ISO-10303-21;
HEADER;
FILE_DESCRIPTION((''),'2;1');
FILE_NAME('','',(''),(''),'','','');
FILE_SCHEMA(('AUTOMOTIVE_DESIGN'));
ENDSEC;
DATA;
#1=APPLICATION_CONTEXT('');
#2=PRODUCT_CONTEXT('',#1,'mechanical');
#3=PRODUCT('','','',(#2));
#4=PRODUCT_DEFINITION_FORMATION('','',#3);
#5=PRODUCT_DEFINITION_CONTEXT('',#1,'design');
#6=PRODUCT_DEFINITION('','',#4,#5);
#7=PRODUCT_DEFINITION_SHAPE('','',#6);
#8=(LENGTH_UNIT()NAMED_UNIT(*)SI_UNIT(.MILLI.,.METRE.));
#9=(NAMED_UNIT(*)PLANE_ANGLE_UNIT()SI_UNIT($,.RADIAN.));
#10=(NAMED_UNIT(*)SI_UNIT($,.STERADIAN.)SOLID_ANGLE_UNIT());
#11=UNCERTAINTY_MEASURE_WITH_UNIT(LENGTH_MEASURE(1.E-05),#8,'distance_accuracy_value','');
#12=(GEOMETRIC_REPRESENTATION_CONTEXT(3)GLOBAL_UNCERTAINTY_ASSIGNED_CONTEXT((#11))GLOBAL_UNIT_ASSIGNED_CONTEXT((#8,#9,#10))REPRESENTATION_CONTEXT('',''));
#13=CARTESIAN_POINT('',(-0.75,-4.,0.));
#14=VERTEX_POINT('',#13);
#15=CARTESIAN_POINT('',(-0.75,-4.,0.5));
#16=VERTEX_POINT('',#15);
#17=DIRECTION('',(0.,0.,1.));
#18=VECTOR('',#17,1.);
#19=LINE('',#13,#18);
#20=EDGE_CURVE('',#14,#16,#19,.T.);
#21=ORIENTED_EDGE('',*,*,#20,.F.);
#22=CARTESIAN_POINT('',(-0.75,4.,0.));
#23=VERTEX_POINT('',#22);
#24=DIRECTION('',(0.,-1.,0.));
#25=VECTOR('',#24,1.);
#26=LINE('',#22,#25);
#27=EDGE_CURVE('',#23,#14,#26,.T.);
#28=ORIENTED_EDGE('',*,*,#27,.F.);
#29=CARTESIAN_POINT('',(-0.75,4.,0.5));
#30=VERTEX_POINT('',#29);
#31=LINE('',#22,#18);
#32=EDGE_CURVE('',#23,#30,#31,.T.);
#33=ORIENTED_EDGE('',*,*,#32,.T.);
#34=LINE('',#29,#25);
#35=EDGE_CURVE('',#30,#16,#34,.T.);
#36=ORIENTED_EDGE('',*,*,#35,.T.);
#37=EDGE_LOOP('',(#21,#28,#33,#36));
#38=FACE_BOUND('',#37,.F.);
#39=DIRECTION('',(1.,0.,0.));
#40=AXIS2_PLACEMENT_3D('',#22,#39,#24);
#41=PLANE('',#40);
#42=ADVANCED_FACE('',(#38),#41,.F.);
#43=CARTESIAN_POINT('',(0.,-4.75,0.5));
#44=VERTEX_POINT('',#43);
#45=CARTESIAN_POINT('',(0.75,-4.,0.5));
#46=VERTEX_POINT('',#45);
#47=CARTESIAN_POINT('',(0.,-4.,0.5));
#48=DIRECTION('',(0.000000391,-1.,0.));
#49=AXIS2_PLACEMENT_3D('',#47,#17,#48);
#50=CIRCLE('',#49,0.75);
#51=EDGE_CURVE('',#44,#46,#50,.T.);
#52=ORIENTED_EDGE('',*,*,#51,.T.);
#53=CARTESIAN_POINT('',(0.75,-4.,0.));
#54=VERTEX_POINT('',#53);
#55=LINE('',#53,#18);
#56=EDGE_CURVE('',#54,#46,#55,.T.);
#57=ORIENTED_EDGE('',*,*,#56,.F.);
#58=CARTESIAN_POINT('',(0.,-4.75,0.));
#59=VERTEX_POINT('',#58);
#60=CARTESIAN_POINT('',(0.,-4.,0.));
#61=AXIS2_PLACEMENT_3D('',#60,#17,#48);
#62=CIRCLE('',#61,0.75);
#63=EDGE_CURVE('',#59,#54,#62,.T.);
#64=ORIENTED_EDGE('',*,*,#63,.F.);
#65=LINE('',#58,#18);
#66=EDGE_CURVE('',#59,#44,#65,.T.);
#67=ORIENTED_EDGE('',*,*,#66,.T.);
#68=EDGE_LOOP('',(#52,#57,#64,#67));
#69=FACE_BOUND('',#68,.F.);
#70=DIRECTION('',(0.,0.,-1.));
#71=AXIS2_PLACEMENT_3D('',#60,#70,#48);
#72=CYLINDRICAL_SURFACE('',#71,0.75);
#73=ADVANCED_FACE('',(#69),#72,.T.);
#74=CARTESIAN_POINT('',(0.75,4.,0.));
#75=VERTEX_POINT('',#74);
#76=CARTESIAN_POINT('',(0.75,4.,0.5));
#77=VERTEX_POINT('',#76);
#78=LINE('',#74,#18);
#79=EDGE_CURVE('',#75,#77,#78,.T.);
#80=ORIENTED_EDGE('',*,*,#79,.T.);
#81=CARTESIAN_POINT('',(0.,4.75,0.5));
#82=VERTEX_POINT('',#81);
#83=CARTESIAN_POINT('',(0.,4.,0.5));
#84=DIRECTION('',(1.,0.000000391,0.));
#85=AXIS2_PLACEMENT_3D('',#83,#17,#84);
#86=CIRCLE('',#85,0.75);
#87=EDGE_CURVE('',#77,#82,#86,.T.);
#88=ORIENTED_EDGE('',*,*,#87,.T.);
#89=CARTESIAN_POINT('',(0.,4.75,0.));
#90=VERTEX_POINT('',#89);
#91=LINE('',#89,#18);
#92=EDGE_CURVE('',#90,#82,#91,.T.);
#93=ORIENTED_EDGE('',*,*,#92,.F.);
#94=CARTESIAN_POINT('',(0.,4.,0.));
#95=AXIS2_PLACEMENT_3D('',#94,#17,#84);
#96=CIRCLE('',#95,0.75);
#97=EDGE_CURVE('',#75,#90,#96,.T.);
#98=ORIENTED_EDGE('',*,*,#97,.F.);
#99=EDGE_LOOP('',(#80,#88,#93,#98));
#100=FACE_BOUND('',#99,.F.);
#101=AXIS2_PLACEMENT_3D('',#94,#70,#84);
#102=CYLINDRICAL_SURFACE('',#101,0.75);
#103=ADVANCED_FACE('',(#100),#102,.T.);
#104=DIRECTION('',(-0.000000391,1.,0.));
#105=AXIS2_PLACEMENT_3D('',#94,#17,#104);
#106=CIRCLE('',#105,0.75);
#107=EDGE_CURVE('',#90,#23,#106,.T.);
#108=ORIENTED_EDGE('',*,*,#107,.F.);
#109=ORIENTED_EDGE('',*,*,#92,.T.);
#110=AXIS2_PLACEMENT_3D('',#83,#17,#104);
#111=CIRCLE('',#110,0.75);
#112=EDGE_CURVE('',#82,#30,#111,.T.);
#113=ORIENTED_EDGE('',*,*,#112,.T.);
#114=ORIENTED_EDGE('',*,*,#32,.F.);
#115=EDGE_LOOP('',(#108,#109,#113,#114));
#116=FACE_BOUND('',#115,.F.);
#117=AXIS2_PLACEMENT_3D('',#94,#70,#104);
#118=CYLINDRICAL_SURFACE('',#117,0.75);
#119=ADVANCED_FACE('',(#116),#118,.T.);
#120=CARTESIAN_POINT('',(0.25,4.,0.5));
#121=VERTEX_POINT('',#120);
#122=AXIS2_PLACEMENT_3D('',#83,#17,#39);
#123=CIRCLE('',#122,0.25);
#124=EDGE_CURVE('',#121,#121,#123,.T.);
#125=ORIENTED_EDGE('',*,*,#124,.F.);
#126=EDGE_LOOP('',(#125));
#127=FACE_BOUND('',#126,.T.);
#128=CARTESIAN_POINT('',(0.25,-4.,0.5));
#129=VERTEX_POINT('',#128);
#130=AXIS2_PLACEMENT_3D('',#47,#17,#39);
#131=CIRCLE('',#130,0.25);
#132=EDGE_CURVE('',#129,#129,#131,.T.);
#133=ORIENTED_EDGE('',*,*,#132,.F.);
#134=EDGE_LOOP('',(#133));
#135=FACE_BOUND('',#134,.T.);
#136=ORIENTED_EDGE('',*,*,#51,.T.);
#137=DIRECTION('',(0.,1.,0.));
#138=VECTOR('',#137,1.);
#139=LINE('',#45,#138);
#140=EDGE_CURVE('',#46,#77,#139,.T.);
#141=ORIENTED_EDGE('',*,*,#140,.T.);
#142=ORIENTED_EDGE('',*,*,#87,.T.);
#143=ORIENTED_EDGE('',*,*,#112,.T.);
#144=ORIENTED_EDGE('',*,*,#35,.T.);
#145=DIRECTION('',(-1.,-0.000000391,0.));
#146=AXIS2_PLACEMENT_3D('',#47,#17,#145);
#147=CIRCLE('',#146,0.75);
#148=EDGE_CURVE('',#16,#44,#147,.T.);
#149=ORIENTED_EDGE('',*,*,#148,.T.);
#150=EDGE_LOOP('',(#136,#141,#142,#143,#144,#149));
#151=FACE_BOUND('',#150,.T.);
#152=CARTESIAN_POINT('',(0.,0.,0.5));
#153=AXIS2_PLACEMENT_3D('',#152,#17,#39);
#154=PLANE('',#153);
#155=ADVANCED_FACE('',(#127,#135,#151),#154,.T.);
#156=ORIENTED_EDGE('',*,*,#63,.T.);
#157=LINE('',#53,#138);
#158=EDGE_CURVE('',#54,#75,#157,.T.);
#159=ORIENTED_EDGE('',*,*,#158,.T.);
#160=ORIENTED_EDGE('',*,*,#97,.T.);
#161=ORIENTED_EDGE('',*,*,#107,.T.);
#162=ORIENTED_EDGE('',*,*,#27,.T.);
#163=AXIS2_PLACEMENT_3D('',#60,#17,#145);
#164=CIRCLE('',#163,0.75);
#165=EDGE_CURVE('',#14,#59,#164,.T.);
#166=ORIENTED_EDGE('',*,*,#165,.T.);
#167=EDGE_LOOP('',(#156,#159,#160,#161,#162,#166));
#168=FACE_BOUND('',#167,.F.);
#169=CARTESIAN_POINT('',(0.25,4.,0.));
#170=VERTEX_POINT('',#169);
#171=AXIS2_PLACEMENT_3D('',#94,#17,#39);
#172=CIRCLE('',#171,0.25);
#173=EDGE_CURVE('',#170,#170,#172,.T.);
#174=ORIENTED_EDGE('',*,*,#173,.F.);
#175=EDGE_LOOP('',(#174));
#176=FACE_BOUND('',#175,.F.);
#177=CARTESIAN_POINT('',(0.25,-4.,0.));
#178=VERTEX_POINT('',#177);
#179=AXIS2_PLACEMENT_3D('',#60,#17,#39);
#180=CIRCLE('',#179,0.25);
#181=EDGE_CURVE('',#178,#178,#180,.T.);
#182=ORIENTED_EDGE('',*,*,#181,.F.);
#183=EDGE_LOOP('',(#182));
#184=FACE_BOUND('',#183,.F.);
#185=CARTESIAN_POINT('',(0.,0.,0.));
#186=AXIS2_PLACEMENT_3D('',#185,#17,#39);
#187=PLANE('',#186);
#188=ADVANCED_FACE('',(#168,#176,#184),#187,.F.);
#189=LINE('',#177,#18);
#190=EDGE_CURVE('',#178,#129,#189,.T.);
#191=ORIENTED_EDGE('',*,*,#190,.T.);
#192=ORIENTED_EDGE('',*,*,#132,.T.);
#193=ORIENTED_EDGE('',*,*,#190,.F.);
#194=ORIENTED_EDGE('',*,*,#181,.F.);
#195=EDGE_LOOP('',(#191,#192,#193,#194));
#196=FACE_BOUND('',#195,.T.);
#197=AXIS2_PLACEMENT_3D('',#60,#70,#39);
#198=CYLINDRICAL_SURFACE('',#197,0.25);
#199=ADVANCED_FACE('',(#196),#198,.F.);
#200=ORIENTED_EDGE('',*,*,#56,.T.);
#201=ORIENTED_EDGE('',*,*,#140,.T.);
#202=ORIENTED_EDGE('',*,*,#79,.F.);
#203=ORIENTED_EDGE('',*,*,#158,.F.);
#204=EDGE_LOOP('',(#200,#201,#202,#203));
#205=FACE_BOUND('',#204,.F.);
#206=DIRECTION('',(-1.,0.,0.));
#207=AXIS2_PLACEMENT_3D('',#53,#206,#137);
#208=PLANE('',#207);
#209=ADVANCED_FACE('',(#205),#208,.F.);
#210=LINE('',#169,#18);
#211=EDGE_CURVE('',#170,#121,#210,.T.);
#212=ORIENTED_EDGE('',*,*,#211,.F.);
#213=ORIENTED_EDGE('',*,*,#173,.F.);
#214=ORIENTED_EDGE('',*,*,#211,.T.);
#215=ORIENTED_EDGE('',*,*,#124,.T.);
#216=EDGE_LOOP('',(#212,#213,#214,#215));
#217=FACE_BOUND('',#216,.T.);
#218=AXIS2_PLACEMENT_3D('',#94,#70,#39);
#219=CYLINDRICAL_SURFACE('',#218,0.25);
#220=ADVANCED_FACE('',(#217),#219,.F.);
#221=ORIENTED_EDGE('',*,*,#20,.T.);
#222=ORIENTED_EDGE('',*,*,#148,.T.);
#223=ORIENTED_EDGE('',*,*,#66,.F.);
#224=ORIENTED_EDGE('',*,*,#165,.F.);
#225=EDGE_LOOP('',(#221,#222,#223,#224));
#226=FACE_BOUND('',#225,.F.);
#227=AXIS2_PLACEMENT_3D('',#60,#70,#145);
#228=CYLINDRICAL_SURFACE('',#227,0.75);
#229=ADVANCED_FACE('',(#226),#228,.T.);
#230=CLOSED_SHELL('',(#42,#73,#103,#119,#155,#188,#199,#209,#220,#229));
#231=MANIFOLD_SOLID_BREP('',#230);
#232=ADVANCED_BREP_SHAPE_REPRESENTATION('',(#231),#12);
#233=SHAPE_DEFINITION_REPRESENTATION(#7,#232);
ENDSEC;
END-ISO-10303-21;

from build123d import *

# Parameters (mm, degrees)
F0_R     = 0.25
F1_DEPTH = 0.5


with BuildPart() as f1:
    # F0 (on Top) → F1 (new body)
    with BuildSketch(Plane.XY):
        with BuildLine():
            Line((0.75, -4), (0.75, 4))
            ThreePointArc((0.75, 4), (0.53033, 4.53033), (0, 4.75))
            ThreePointArc((0, 4.75), (-0.53033, 4.53033), (-0.75, 4))
            Line((-0.75, 4), (-0.75, -4))
            ThreePointArc((-0.75, -4), (-0.53033, -4.53033), (0, -4.75))
            ThreePointArc((0, -4.75), (0.53033, -4.53033), (0.75, -4))
        make_face()
        with Locations((0, -4)):
            Circle(F0_R, mode=Mode.SUBTRACT)
        with Locations((0, 4)):
            Circle(F0_R, mode=Mode.SUBTRACT)
    extrude(amount=F1_DEPTH)


solid = f1.part
